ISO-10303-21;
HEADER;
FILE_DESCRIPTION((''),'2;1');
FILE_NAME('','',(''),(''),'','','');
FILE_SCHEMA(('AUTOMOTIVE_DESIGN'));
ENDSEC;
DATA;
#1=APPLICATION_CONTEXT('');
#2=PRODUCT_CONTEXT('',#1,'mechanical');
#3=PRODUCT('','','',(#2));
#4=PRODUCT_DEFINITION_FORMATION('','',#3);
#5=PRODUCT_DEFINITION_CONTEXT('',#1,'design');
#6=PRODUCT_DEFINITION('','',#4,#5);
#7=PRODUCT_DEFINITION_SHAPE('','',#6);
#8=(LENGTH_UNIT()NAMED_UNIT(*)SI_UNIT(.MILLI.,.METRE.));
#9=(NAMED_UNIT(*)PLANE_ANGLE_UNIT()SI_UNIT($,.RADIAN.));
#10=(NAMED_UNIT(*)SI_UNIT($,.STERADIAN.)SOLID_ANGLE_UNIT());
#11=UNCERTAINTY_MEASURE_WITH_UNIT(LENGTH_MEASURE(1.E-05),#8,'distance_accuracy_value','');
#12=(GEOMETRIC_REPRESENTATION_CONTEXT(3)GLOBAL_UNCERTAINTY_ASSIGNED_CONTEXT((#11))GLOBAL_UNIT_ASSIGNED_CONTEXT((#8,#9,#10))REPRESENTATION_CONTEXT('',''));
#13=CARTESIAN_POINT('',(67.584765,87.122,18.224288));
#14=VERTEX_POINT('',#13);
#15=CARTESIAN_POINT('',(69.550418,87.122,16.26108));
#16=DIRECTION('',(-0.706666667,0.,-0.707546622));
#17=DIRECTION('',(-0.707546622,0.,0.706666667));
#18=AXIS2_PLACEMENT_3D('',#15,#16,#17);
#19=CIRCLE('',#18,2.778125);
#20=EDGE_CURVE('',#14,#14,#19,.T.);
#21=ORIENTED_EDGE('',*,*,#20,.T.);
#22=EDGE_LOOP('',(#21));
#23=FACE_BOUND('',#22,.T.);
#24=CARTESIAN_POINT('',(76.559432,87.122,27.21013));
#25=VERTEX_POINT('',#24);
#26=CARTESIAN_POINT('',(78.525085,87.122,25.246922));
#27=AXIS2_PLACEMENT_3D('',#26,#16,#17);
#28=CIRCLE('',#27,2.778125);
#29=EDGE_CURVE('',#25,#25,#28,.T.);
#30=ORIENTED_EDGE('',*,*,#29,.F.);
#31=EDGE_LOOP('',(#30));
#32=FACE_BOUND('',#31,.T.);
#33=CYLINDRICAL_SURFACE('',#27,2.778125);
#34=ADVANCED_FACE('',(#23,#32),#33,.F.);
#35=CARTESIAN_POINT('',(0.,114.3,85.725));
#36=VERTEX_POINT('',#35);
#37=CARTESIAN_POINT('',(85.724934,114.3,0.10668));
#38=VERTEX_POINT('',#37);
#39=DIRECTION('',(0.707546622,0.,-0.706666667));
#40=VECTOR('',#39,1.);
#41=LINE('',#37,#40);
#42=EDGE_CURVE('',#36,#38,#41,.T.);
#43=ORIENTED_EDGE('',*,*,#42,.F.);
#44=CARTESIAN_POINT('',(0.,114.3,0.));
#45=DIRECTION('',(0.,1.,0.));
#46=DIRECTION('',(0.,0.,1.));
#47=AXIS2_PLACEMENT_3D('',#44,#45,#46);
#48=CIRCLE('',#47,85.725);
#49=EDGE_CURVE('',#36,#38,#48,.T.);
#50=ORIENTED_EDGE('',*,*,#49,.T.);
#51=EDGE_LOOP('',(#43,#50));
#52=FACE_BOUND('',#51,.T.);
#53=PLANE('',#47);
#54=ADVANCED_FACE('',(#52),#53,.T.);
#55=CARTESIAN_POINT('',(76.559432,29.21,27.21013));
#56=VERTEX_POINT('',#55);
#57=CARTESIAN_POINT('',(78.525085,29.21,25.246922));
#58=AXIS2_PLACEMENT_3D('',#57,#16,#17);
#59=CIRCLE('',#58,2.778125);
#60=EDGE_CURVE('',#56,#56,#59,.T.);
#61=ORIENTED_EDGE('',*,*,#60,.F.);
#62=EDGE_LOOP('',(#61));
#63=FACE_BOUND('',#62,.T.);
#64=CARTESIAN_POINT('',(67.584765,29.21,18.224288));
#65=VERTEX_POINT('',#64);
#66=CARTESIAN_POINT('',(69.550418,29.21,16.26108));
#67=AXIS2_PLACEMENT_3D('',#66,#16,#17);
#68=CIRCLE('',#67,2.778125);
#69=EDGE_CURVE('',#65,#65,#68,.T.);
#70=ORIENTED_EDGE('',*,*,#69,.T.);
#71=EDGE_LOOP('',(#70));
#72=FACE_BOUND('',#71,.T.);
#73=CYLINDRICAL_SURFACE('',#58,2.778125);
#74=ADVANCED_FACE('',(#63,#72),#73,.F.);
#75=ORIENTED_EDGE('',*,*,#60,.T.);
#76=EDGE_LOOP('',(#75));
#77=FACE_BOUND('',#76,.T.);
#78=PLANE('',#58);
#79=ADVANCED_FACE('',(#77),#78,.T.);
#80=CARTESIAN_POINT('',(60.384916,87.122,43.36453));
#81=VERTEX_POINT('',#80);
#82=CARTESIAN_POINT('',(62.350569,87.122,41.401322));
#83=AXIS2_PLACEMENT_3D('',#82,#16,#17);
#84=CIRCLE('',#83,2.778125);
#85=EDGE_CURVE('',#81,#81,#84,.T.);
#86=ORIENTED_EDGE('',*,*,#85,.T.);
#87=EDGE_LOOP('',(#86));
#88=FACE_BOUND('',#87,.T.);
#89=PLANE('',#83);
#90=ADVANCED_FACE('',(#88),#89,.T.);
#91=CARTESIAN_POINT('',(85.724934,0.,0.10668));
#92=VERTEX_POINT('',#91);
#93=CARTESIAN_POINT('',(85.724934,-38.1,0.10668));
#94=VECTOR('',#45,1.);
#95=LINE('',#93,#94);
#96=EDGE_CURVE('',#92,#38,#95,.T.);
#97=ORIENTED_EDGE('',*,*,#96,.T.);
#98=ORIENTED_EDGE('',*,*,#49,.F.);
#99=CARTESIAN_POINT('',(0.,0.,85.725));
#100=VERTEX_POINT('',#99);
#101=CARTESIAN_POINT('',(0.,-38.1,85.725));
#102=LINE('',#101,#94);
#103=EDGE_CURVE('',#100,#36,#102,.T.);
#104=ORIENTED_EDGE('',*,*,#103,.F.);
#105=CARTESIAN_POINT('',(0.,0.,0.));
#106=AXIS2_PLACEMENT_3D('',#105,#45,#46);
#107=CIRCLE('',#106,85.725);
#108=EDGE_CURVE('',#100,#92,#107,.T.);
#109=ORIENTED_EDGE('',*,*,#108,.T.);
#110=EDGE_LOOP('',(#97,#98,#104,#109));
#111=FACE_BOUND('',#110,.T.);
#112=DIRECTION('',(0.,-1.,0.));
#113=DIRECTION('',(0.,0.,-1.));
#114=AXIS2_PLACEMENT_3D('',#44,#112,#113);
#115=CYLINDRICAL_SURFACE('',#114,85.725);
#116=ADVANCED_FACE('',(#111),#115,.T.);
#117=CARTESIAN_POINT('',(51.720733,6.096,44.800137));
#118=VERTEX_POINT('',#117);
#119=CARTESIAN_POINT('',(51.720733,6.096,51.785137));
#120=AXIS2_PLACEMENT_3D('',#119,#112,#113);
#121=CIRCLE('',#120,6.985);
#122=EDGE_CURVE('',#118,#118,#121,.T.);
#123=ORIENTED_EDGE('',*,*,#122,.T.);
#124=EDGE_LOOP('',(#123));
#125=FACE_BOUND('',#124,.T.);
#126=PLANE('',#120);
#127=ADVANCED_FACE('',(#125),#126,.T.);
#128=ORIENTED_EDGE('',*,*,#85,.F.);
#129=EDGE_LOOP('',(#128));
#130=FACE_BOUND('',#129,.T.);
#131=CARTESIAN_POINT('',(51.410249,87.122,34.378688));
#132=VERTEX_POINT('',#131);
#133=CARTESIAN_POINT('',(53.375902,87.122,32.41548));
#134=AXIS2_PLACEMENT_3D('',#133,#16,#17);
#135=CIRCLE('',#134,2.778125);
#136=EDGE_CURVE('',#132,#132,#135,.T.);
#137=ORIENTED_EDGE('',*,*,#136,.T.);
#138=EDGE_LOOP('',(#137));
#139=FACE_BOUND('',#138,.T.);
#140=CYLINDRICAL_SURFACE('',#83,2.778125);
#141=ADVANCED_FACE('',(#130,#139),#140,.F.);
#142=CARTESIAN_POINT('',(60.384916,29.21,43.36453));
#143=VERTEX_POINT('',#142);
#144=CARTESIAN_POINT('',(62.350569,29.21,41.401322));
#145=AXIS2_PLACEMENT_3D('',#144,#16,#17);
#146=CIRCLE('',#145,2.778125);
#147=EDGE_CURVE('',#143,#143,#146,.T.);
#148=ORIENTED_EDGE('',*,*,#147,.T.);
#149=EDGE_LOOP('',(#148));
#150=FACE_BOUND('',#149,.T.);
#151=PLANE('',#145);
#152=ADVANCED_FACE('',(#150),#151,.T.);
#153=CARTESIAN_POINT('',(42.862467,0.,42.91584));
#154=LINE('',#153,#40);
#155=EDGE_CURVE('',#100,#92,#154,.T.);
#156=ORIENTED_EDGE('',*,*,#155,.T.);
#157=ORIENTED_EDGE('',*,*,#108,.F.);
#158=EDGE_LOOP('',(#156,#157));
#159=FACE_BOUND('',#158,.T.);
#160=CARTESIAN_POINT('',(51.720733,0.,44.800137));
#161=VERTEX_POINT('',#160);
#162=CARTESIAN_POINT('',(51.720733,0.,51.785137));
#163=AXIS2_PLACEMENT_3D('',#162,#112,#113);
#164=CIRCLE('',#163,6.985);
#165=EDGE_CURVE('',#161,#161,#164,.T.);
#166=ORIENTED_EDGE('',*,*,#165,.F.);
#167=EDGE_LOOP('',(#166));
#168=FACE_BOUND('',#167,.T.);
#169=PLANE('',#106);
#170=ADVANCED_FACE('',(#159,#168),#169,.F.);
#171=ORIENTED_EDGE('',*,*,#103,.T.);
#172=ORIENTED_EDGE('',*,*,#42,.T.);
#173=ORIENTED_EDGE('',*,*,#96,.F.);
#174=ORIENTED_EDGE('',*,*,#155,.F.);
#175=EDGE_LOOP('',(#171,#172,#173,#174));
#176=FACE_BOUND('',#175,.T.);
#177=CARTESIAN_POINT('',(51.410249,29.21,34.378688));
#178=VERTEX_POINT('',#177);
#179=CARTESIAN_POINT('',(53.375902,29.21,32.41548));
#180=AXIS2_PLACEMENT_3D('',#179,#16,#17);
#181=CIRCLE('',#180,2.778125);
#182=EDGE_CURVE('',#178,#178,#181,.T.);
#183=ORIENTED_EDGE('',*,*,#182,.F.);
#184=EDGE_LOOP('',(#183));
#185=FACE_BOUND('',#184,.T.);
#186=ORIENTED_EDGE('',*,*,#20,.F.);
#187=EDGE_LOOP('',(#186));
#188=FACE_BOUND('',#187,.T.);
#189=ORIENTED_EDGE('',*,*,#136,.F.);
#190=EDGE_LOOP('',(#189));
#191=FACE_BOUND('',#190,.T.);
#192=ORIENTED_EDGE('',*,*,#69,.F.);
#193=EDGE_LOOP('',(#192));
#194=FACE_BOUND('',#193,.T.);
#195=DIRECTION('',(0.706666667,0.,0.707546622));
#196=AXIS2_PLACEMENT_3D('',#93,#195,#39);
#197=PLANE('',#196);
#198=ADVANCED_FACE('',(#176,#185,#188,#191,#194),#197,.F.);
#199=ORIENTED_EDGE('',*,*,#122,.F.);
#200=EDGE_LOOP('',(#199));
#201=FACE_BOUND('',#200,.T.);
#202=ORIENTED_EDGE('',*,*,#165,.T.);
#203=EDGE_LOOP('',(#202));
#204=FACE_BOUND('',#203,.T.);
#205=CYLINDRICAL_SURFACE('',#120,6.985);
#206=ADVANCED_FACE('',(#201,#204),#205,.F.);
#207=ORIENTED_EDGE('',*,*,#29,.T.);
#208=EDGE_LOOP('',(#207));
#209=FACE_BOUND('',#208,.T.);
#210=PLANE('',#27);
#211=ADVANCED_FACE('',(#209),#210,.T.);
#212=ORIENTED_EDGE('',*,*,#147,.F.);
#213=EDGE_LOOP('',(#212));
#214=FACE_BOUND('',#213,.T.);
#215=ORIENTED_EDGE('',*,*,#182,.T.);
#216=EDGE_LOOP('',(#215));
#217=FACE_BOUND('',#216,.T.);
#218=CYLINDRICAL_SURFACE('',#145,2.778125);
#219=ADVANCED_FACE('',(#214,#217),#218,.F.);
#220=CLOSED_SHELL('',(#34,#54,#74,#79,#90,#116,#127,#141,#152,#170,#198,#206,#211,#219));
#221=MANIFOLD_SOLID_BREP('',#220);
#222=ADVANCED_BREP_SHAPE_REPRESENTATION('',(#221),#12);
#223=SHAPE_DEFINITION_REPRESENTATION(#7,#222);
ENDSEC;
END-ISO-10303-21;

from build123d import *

# Parameters (mm, degrees)
SKETCH1_R           = 85.725
BOSS_EXTRUDE1_DEPTH = 114.3
CUT_EXTRUDE1_DEPTH  = 152.4
SKETCH3_R           = 2.778125
CUT_EXTRUDE2_DEPTH  = 12.7
SKETCH4_R           = 6.985
CUT_EXTRUDE3_DEPTH  = 6.096


with BuildPart() as part:
    # Sketch1 → Boss-Extrude1 (new body)
    with BuildSketch(Plane(origin=(0, 0, 0), x_dir=(1, 0, 0), z_dir=(0, 1, 0))):
        Circle(SKETCH1_R)
    extrude(amount=BOSS_EXTRUDE1_DEPTH)

    # Sketch2 → Cut-Extrude1 (cut)
    with BuildSketch(Plane(origin=(0, 114.3, 0), x_dir=(1, 0, 0), z_dir=(0, 1, 0))):
        Polygon((85.724933621, -0.10668), (0, -85.725), (-45.627504124, -96.719379999), (-137.428949547, 46.173941299), (19.12530113, 101.910533163), (109.833872203, 30.600481808), align=None)
    extrude(amount=-CUT_EXTRUDE1_DEPTH, mode=Mode.SUBTRACT)

    # Sketch3 → Cut-Extrude2 (cut)
    with BuildSketch(Plane(origin=(42.862466811, 0, 42.91584), x_dir=(-0.707546622, 0, 0.706666667), z_dir=(-0.706666667, 0, -0.707546622))):
        with Locations((-37.719, 87.122)):
            Circle(SKETCH3_R)
        with Locations((-14.859, 87.122)):
            Circle(SKETCH3_R)
        with Locations((-37.719, 29.21)):
            Circle(SKETCH3_R)
        with Locations((-14.859, 29.21)):
            Circle(SKETCH3_R)
    extrude(amount=-CUT_EXTRUDE2_DEPTH, mode=Mode.SUBTRACT)

    # Sketch4 → Cut-Extrude3 (cut)
    with BuildSketch(Plane(origin=(0, 0, 0), x_dir=(-1, 0, 0), z_dir=(0, -1, 0))):
        with Locations((-51.720733405, -51.785137083)):
            Circle(SKETCH4_R)
    extrude(amount=-CUT_EXTRUDE3_DEPTH, mode=Mode.SUBTRACT)


solid = part.part
